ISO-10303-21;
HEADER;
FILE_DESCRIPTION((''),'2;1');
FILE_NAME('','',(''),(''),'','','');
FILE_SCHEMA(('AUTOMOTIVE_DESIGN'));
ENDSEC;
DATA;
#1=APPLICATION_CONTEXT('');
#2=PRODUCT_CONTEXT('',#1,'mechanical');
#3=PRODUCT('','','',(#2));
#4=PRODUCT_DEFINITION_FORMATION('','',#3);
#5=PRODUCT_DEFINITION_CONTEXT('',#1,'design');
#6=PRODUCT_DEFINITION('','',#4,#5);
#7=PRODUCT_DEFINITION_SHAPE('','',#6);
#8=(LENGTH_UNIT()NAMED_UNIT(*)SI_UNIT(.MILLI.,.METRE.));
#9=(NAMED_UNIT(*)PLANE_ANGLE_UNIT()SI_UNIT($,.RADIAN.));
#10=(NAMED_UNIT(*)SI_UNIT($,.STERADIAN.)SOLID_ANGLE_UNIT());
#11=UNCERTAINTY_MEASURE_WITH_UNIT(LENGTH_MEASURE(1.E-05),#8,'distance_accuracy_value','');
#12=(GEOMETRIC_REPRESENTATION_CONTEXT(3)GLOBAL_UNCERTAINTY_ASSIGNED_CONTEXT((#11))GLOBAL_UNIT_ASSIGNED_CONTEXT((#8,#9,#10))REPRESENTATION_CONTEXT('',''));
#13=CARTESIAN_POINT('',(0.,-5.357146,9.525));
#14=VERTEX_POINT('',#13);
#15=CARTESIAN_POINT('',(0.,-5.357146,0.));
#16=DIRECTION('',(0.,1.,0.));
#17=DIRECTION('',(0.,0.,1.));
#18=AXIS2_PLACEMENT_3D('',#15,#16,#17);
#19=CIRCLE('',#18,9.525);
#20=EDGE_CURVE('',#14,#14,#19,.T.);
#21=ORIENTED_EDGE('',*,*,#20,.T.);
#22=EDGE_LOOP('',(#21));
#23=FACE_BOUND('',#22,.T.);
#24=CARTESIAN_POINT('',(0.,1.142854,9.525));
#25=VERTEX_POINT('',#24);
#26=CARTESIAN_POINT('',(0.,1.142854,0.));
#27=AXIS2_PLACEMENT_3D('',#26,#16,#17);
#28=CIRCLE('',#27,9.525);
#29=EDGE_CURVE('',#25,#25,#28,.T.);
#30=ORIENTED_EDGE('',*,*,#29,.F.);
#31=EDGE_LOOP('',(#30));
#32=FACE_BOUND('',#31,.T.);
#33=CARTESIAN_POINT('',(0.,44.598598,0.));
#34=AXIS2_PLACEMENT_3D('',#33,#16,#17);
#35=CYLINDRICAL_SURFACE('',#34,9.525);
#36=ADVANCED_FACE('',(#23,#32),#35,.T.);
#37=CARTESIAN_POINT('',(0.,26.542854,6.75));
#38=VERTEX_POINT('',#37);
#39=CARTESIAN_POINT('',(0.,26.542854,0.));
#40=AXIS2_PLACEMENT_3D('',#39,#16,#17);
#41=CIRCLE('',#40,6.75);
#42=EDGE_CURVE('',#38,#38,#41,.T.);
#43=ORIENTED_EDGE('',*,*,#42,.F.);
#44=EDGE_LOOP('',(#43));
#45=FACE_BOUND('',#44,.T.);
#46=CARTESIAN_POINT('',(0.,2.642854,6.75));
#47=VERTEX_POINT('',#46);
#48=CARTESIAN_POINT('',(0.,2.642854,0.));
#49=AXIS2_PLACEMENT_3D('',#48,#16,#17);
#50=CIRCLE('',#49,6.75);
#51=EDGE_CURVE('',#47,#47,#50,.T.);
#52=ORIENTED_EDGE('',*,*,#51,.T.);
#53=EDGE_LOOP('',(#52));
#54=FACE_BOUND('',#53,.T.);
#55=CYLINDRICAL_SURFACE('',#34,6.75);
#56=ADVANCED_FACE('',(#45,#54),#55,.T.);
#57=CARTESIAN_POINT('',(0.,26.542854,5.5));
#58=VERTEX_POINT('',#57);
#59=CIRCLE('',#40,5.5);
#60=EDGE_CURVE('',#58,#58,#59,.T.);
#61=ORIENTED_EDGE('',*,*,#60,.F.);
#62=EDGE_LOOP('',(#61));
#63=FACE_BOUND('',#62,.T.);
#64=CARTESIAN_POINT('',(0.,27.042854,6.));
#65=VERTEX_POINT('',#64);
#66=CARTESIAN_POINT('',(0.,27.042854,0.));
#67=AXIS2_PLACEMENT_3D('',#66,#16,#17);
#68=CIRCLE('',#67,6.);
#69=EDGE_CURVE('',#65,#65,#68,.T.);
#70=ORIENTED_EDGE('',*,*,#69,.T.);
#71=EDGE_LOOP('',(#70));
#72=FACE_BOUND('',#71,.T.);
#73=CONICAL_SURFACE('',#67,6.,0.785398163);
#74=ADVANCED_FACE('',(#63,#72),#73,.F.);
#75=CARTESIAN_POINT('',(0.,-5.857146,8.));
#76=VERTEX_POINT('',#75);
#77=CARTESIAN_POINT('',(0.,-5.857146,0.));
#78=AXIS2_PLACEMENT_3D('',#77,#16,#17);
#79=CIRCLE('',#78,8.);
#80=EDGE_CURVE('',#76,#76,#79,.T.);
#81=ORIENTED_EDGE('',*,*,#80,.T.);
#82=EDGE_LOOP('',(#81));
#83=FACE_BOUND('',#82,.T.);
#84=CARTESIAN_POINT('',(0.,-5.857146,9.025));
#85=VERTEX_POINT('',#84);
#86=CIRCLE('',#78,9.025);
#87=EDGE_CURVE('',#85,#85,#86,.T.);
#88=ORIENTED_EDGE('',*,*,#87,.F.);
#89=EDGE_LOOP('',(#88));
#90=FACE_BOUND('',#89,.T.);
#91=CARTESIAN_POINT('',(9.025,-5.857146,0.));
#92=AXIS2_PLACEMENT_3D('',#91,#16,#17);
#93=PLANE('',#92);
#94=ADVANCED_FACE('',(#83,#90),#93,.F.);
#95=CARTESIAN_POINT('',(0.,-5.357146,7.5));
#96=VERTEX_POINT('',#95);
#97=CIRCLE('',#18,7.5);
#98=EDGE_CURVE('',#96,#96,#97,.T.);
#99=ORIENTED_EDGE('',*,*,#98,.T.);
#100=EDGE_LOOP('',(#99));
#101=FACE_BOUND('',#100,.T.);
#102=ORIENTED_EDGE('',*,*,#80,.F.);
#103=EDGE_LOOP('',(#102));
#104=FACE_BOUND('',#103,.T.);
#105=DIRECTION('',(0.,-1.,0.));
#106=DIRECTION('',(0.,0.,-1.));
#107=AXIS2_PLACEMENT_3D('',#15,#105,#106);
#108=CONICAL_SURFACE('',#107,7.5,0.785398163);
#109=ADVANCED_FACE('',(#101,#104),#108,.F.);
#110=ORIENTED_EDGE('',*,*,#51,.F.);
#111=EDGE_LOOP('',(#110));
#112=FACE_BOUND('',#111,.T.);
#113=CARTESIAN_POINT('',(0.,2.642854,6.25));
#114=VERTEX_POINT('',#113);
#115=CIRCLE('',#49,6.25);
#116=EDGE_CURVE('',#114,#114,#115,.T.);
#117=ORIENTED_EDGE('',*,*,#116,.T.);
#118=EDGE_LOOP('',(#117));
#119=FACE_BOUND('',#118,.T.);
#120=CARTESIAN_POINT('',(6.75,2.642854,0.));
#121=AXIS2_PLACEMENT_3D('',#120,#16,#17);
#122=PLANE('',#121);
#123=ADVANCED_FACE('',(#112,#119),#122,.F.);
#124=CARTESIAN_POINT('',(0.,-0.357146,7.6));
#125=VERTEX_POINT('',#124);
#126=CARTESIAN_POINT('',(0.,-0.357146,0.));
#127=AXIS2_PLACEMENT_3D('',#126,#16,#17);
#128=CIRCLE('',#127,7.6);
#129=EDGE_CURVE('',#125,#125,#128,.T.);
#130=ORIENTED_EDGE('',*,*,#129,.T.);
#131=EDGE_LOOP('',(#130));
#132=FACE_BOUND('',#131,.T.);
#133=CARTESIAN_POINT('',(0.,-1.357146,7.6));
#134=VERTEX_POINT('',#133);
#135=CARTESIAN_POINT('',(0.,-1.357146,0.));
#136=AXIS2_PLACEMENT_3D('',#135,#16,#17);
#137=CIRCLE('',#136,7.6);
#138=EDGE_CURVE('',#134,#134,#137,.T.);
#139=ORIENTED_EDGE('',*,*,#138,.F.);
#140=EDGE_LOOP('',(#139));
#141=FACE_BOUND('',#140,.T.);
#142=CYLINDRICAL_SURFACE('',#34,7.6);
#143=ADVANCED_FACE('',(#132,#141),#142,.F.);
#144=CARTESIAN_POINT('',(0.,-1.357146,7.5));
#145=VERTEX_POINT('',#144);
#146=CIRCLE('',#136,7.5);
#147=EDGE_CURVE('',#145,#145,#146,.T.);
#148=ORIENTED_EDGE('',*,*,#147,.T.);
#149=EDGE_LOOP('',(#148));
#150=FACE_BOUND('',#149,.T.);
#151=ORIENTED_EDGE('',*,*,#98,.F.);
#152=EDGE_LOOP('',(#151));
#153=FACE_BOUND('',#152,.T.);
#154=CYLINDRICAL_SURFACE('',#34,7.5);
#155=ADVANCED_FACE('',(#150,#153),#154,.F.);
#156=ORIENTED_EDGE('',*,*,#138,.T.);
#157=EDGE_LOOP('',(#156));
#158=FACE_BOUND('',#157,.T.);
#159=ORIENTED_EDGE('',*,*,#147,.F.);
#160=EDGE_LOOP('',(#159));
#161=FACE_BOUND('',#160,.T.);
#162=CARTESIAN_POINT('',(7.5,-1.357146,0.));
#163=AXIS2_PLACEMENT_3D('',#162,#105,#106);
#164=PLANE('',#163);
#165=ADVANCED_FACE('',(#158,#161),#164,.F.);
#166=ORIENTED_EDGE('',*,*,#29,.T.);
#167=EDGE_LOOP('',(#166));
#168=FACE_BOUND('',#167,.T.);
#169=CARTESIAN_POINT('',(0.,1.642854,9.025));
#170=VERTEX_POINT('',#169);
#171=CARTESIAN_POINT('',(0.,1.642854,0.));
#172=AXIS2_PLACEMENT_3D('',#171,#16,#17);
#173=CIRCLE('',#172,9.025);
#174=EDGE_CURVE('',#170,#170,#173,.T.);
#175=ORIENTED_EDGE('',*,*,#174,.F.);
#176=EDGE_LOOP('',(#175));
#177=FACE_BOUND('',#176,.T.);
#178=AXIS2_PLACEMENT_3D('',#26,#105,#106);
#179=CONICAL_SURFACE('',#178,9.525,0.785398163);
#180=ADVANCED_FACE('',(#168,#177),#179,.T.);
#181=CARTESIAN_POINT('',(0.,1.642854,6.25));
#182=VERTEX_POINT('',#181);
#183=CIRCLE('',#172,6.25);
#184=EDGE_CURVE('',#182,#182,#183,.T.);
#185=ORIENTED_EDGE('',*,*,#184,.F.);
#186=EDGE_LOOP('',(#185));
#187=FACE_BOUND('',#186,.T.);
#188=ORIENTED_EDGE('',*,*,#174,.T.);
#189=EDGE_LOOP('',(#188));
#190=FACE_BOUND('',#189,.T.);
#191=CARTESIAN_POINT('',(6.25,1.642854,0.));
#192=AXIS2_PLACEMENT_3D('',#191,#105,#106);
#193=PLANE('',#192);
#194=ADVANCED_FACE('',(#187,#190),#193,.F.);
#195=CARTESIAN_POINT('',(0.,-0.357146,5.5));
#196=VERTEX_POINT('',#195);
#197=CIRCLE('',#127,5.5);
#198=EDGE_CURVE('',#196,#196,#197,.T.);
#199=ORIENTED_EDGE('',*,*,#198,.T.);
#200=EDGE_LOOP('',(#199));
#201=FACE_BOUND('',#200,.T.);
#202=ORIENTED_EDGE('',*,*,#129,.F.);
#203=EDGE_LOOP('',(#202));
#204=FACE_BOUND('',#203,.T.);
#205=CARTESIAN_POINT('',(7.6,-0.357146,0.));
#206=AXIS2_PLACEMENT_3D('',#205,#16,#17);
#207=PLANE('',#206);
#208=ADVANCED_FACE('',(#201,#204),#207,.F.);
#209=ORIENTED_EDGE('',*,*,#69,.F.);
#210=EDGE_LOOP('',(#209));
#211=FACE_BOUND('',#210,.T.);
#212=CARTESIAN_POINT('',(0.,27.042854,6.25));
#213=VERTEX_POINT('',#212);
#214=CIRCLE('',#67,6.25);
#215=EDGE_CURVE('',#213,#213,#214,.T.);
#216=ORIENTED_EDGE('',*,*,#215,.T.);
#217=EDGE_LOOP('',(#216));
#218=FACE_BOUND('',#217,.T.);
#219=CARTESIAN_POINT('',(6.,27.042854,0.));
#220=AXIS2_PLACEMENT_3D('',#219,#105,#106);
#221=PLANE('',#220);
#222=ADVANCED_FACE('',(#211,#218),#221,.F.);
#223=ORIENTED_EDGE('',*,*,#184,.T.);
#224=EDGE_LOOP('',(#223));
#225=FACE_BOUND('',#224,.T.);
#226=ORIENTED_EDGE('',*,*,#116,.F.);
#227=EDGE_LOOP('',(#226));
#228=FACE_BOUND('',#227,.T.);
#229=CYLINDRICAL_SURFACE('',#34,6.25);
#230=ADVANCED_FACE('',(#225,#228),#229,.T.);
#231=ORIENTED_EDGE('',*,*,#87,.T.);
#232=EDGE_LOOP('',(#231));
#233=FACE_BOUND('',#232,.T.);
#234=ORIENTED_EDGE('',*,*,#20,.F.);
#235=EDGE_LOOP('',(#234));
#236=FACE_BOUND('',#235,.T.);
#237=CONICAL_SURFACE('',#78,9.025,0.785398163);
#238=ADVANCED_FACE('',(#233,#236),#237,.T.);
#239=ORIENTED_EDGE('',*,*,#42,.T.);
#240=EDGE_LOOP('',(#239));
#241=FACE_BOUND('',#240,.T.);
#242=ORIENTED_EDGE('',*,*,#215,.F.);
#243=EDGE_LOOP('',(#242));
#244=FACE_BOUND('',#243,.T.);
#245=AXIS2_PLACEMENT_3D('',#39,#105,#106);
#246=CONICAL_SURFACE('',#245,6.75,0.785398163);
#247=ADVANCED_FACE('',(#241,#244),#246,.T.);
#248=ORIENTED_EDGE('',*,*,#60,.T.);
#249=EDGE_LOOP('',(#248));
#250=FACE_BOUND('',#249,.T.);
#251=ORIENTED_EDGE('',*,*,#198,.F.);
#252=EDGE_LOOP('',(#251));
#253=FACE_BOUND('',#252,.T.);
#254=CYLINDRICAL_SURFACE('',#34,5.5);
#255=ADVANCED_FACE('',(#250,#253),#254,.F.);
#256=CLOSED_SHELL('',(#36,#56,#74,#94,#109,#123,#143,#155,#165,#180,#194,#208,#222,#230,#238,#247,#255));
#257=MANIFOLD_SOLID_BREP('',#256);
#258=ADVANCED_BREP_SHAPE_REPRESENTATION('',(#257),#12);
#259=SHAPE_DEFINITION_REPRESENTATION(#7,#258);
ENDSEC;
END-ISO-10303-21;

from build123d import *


with BuildPart() as part:
    # 草图1 → 旋转2 (revolve)
    with BuildSketch(Plane.XY, mode=Mode.PRIVATE) as revolve_2_sk:
        Polygon((6, 27.042854175), (6.25, 27.042854175), (6.75, 26.542854175), (6.75, 2.642854175), (6.25, 2.642854175), (6.25, 1.642854175), (9.025, 1.642854175), (9.525, 1.142854175), (9.525, -5.357145825), (9.025, -5.857145825), (8, -5.857145825), (7.5, -5.357145825), (7.5, -1.357145825), (7.6, -1.357145825), (7.6, -0.357145825), (5.5, -0.357145825), (5.5, 26.542854175), align=None)
    revolve(revolve_2_sk.sketch.rotate(Axis((0, 44.598597745, 0), (0, -1, 0)), 90), axis=Axis((0, 44.598597745, 0), (0, -1, 0)))  # turned: the seam where the file's is


solid = part.part
